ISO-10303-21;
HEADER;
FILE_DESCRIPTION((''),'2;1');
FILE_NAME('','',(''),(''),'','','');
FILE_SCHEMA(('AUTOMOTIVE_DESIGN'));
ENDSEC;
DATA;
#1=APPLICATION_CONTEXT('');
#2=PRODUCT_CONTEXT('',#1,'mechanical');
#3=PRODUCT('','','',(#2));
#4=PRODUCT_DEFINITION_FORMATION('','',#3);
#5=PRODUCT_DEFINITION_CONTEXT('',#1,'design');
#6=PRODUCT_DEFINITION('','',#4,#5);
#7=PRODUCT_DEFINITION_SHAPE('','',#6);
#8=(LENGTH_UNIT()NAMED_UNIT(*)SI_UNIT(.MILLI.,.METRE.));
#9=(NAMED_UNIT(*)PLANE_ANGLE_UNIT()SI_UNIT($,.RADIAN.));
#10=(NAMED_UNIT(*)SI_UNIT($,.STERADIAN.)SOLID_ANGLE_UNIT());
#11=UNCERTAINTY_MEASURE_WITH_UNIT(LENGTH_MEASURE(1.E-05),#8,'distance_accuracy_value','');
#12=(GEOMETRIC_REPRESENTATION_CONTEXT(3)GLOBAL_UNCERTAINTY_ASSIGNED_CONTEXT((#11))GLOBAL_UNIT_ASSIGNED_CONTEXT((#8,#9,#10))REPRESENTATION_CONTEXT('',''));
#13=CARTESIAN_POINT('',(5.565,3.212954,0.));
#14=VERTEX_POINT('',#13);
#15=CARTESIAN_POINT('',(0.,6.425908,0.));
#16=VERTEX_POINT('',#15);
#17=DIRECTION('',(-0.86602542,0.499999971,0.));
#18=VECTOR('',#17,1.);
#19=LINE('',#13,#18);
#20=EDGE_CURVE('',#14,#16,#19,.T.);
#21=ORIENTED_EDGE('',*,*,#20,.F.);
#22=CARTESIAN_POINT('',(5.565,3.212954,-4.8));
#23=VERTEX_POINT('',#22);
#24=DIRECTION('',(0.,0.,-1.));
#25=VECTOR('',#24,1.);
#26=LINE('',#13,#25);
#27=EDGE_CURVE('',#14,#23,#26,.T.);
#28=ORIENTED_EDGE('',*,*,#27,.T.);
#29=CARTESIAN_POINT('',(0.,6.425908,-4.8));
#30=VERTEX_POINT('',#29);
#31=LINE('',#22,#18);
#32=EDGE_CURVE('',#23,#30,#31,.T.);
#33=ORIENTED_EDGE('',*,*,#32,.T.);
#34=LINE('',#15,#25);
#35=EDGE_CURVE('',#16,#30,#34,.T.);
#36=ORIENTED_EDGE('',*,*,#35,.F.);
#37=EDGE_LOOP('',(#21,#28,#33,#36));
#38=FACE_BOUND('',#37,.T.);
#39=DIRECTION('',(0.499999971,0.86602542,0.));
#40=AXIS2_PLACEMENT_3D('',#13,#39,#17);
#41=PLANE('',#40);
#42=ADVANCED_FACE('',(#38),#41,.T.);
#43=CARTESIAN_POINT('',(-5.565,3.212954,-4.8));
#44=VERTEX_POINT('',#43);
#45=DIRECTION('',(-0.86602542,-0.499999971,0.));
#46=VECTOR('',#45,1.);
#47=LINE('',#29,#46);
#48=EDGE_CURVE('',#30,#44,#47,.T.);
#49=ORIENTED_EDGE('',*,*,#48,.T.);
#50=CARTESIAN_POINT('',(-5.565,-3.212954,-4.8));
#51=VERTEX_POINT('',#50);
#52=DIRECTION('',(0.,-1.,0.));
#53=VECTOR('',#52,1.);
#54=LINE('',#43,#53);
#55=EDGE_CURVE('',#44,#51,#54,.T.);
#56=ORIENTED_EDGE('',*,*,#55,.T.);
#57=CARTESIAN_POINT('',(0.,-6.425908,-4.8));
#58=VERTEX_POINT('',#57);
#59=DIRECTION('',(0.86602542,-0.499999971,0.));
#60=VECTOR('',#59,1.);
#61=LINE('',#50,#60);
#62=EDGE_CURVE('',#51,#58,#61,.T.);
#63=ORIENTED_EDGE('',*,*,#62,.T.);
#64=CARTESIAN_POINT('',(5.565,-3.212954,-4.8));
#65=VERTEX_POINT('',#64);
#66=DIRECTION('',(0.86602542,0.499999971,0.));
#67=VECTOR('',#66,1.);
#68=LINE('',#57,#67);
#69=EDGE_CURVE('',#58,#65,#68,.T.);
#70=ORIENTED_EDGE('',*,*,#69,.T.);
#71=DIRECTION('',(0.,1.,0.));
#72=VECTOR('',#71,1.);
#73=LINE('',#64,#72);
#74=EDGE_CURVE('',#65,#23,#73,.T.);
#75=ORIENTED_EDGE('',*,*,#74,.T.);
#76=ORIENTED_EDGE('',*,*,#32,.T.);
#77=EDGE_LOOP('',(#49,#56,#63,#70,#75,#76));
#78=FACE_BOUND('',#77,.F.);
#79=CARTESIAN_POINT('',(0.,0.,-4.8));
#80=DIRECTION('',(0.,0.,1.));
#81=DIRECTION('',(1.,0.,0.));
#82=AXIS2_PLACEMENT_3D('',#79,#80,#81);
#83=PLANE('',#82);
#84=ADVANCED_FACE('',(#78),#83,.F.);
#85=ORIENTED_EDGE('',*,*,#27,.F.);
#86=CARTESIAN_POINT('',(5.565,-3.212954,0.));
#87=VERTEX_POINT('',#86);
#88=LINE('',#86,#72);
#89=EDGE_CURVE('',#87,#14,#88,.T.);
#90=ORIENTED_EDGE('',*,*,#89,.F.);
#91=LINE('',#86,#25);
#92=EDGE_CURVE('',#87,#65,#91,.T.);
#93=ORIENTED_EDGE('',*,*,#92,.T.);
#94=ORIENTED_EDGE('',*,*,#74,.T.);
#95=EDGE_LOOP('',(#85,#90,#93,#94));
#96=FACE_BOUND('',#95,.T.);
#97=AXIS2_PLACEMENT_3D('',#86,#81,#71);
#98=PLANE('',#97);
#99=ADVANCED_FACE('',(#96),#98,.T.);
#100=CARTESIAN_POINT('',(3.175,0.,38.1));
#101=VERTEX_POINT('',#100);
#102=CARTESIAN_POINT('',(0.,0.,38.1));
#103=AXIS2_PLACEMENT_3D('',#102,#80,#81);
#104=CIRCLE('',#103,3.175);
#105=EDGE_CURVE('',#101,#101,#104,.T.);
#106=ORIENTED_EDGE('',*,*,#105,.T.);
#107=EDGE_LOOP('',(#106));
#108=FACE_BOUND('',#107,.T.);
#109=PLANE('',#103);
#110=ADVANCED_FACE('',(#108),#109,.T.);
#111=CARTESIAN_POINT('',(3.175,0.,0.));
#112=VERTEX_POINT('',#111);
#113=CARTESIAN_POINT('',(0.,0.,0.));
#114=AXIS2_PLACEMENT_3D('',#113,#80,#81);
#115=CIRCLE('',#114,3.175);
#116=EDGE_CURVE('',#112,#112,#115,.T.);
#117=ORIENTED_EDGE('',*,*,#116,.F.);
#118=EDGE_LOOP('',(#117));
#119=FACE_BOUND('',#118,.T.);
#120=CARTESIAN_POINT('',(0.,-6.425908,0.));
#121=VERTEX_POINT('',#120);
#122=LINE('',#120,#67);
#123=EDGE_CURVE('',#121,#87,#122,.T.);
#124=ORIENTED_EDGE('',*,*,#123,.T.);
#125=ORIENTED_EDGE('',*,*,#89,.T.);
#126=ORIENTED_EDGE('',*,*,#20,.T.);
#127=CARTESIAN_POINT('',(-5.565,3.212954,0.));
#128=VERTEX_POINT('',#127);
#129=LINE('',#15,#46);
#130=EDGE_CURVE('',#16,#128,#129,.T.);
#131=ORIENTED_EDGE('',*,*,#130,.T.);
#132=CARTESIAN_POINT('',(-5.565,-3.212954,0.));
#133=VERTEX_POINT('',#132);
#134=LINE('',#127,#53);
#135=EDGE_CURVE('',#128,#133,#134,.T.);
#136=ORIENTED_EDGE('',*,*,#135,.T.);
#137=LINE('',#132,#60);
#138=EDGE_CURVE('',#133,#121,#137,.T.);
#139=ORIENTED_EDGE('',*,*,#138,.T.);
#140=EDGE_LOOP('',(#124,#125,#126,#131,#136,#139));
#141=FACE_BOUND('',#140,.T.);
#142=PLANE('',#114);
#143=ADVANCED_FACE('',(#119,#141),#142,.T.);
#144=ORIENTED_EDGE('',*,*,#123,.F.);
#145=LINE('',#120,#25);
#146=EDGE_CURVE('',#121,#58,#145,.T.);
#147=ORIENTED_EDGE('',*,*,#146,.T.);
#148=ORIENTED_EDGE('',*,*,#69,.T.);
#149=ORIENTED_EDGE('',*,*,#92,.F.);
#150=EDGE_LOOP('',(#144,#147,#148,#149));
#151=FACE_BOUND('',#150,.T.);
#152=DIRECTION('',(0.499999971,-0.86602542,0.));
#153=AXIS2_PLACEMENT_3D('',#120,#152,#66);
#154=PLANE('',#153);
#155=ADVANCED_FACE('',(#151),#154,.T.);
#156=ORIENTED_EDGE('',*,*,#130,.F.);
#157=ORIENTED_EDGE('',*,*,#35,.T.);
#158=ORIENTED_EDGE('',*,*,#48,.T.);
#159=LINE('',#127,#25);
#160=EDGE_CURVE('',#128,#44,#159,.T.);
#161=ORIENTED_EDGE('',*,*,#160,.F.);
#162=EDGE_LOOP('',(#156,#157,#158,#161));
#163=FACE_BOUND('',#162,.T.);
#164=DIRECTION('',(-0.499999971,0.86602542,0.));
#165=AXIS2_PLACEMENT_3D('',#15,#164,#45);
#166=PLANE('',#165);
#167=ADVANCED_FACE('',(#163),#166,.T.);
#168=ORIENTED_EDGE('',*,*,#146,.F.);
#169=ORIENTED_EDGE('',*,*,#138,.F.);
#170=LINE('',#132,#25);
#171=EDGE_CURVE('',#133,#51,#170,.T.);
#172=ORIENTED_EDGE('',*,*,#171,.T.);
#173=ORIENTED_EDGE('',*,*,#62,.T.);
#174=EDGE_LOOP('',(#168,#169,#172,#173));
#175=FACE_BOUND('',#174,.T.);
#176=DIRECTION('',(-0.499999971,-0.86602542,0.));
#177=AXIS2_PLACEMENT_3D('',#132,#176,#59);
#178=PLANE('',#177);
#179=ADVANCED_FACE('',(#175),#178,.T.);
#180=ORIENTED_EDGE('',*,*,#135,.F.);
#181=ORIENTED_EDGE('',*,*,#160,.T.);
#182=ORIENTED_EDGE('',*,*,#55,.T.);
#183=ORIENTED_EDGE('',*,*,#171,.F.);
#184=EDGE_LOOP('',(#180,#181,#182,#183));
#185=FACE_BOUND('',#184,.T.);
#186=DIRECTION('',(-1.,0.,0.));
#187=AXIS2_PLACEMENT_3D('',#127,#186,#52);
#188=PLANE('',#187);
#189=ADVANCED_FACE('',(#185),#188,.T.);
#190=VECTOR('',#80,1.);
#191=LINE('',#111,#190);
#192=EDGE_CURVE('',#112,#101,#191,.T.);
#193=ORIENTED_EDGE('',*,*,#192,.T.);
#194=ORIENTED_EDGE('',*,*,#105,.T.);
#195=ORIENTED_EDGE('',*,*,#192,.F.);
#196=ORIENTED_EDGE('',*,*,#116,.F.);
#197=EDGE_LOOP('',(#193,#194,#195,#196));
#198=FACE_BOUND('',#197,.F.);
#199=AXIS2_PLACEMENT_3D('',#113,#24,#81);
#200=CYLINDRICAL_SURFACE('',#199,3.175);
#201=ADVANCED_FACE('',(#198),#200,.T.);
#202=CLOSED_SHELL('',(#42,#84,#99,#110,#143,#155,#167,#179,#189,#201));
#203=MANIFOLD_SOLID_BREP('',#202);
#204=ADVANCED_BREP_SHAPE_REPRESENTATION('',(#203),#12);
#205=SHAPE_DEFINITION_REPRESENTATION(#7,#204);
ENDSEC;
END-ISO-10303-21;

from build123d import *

# Parameters (mm, degrees)
SKETCH_R     = 3.175
PAD_DEPTH    = 38.1
PAD001_DEPTH = 4.8


with BuildPart() as part:
    # Sketch → Pad (new body)
    with BuildSketch(Plane.XY):
        Circle(SKETCH_R)
    extrude(amount=PAD_DEPTH)

    # Sketch001 → Pad001 (join)
    with BuildSketch(Plane.XY):
        Polygon((0, 6.425908), (-5.565, 3.212954), (-5.565, -3.212954), (0, -6.425908), (5.565, -3.212954), (5.565, 3.212954), align=None)
    extrude(amount=-PAD001_DEPTH)


solid = part.part
